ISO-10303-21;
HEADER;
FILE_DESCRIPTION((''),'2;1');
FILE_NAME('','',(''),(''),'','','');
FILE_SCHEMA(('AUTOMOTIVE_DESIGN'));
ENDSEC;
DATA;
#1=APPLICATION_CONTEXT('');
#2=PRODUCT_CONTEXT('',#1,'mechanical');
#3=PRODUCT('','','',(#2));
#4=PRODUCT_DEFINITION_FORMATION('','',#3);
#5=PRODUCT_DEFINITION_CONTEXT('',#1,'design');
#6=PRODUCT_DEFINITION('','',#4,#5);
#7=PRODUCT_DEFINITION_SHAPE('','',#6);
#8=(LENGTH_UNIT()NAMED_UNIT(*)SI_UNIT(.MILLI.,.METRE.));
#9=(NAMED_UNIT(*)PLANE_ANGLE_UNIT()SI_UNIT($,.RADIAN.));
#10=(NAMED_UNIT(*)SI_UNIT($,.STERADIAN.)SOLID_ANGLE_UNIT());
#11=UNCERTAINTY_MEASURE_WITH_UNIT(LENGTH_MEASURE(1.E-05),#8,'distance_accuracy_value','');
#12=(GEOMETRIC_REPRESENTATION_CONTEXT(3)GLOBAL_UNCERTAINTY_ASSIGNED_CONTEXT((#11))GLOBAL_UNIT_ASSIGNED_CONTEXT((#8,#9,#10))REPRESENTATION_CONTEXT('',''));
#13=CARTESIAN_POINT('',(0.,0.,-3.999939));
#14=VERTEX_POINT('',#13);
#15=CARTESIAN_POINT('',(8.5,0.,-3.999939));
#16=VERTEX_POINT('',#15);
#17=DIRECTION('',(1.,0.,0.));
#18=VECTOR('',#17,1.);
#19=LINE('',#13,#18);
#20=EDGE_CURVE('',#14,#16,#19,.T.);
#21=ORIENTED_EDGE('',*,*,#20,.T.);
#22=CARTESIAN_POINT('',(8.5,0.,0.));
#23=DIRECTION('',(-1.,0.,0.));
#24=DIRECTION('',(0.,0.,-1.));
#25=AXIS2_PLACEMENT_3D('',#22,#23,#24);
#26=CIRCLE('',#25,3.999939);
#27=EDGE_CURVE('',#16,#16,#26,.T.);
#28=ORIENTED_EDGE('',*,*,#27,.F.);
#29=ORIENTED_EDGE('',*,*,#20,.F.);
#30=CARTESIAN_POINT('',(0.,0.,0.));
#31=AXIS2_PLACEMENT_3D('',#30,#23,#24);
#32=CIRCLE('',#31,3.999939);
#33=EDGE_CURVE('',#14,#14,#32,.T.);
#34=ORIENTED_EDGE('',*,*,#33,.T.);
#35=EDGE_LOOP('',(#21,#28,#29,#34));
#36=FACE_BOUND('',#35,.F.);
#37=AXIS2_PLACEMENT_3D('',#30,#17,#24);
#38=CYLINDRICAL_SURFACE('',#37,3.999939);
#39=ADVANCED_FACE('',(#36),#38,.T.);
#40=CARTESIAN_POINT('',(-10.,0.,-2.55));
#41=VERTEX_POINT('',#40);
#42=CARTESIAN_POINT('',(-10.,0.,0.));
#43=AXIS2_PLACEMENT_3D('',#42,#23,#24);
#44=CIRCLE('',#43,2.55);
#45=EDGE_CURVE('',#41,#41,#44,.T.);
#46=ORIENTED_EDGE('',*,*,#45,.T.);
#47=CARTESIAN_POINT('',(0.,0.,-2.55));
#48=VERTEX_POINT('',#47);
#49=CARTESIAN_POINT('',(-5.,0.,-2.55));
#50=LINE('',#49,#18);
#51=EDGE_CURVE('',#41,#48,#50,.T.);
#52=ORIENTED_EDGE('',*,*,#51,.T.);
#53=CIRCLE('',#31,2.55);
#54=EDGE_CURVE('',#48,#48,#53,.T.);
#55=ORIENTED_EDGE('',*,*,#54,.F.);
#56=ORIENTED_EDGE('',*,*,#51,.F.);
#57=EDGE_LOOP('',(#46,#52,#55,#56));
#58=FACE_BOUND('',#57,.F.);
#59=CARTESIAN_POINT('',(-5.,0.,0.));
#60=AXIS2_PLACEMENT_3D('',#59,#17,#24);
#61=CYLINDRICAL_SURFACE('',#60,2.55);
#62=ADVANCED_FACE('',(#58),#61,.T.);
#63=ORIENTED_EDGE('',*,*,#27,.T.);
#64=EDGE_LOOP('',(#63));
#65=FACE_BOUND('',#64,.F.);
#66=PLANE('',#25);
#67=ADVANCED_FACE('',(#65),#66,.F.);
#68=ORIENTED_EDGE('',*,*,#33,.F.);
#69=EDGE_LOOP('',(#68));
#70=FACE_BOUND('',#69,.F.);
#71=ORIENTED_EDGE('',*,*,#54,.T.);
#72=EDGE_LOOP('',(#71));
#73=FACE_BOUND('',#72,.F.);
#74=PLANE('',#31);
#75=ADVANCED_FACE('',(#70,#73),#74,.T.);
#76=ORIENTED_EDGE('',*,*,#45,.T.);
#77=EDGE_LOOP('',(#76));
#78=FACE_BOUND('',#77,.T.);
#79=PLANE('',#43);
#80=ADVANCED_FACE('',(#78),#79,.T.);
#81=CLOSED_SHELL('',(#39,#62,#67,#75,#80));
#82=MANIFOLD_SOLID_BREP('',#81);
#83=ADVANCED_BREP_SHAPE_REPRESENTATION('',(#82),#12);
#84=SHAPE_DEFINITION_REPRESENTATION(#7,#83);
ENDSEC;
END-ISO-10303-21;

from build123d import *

# Parameters (mm, degrees)
F0_W = 10
F0_H = 2.55


with BuildPart() as f1:
    # F0 (on Front) → F1 (revolve)
    with BuildSketch(Plane.XZ):
        with Locations((-5, -1.275)):
            Rectangle(F0_W, F0_H)
    revolve(axis=Axis((-5, 0, 0), (-1, 0, 0)))

    # F0 (on Front) → F2 (revolve)
    with BuildSketch(Plane.XZ):
        Polygon((8.5, 0), (0, 0), (0, -2.55), (0, -3.999939), (8.5, -3.999939), align=None)
    revolve(axis=Axis((4.25, 0, 0), (-1, 0, 0)))


solid = f1.part
